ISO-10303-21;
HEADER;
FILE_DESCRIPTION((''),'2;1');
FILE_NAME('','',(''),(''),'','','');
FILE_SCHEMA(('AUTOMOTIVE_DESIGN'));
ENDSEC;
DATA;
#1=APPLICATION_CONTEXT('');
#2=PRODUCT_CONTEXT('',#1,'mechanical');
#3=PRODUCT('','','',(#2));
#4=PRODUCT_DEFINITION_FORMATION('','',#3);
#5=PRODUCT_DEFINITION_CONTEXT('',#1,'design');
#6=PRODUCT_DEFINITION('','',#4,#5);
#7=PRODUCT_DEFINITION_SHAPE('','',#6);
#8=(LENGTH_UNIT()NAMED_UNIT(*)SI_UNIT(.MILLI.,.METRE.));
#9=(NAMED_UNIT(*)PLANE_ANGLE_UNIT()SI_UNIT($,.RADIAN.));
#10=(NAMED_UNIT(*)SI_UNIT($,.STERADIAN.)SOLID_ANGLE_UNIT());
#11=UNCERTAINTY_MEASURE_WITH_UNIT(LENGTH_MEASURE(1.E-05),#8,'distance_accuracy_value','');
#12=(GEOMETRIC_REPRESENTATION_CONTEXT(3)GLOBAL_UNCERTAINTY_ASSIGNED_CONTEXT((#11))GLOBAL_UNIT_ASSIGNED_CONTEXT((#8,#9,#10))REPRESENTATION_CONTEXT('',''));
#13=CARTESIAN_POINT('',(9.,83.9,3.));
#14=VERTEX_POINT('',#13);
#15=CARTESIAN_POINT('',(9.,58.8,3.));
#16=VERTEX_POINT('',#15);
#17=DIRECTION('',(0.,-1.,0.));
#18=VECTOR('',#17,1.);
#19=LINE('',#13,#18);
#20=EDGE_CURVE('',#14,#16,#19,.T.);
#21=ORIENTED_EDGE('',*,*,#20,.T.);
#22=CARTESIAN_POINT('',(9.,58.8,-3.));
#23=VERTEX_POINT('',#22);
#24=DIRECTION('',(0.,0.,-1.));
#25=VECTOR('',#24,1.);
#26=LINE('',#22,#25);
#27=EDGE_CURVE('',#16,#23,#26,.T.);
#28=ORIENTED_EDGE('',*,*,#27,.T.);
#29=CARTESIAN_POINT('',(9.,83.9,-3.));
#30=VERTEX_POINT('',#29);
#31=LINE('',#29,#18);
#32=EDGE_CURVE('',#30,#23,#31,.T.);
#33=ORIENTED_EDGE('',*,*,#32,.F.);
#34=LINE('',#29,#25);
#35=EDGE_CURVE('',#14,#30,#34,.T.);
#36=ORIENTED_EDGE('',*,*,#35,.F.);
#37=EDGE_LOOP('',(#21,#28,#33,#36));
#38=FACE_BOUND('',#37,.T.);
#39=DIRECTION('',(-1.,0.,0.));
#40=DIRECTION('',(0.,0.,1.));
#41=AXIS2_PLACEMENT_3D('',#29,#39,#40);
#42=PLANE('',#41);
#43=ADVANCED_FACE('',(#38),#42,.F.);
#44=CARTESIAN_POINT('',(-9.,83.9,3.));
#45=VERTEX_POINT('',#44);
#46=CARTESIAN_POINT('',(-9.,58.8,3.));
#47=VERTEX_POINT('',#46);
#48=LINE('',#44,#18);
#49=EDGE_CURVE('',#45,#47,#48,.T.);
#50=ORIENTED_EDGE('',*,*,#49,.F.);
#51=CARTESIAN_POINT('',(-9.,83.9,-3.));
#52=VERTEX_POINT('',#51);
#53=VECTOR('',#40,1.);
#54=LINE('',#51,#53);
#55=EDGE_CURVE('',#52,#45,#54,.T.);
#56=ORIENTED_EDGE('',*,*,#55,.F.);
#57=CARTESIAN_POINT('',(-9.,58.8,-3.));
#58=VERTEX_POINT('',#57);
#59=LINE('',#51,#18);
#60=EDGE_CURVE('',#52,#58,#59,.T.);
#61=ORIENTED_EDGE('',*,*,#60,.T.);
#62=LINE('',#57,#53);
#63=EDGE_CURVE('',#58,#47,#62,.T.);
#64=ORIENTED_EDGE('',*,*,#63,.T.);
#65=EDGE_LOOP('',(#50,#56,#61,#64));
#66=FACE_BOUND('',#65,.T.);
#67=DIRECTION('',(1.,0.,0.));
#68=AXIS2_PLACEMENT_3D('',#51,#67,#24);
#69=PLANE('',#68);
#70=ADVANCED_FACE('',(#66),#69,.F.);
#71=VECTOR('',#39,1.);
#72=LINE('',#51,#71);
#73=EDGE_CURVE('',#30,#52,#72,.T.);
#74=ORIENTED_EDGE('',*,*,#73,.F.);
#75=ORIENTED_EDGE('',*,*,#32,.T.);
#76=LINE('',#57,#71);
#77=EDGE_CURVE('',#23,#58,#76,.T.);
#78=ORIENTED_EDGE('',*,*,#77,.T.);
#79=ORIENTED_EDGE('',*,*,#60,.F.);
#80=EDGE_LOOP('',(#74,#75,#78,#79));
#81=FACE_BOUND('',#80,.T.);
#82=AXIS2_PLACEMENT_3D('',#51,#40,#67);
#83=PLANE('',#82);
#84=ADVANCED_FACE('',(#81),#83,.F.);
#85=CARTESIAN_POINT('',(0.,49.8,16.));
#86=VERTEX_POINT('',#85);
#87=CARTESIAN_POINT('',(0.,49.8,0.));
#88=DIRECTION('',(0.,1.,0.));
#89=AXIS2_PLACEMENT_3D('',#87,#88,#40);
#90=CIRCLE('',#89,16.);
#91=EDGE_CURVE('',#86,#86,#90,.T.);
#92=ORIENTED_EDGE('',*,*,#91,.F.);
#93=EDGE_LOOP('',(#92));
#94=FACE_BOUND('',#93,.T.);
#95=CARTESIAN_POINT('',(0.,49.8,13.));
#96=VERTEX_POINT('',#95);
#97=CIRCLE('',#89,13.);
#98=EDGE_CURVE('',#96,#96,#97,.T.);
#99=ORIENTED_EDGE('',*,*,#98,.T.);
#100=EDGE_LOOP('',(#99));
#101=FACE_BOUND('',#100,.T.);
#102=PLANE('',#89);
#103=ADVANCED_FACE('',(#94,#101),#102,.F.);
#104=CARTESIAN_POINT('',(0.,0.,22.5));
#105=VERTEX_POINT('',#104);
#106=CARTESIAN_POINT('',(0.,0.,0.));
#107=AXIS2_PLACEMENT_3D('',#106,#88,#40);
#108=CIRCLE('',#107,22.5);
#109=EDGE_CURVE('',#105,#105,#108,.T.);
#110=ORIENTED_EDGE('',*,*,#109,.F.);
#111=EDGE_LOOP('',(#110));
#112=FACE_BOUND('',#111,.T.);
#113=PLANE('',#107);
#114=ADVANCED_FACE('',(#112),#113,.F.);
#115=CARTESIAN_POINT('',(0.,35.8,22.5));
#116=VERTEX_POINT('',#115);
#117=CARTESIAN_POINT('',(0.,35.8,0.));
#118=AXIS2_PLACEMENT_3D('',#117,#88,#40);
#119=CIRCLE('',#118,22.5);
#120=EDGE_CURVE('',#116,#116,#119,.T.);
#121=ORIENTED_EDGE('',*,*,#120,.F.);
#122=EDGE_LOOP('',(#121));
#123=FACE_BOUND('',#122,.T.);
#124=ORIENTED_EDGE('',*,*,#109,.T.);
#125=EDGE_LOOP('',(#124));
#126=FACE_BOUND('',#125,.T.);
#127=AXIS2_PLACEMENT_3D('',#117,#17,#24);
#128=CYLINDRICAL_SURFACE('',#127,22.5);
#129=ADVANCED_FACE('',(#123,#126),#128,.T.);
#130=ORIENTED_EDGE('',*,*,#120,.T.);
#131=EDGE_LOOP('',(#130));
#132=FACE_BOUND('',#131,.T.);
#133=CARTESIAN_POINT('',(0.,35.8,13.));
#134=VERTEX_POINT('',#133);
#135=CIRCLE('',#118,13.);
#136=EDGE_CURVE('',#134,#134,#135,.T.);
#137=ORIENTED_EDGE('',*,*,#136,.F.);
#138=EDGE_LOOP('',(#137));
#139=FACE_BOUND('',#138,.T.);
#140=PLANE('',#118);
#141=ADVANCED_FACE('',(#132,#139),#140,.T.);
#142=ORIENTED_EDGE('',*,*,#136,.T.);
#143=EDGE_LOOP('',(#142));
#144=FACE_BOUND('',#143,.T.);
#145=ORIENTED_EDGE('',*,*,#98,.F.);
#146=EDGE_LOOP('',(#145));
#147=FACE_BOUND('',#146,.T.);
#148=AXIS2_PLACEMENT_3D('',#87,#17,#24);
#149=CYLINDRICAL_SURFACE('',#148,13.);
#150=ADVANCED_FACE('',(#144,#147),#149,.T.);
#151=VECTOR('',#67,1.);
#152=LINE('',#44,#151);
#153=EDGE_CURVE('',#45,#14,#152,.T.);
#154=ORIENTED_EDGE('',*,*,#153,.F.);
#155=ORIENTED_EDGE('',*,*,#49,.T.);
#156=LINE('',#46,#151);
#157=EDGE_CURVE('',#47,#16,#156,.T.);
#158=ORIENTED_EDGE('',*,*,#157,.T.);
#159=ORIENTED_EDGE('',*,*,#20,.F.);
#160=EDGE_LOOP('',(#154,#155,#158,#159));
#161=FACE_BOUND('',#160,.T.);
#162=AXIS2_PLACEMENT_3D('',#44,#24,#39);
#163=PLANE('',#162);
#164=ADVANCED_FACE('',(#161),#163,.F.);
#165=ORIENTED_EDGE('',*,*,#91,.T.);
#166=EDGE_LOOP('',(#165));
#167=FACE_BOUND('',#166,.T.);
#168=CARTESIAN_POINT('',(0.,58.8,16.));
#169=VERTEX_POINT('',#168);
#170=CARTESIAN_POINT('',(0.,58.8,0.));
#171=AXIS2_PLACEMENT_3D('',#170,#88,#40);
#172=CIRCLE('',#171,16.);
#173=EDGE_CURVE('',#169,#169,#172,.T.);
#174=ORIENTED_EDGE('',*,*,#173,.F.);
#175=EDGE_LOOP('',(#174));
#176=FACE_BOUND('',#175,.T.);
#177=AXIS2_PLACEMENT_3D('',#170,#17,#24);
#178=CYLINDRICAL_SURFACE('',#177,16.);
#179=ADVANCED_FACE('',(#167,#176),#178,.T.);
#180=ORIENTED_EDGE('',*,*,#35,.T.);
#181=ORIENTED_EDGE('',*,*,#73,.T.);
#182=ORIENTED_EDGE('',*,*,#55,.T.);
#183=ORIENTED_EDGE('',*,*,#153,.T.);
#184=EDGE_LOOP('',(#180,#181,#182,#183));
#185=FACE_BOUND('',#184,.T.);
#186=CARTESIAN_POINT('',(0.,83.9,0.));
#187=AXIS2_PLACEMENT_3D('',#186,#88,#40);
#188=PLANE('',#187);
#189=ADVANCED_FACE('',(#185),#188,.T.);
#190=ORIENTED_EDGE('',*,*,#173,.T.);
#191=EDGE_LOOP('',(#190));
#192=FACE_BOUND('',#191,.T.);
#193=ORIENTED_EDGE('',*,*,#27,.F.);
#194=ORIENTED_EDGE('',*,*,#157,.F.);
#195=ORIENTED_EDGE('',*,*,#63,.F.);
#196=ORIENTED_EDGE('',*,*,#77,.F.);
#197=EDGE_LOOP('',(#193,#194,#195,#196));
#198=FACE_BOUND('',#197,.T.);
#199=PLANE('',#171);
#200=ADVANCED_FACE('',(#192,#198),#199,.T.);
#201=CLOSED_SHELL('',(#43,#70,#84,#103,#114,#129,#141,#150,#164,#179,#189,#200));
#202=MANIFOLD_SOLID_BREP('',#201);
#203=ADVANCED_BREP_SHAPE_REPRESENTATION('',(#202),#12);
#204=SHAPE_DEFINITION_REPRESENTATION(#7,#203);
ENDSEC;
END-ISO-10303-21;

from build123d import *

# Parameters (mm, degrees)
SCHIZZO1_R                   = 22.5
ESTRUSIONE_ESTRUSIONE1_DEPTH = 35.8
SCHIZZO2_R                   = 13
ESTRUSIONE_ESTRUSIONE3_DEPTH = 14
SCHIZZO3_R                   = 16
ESTRUSIONE_ESTRUSIONE4_DEPTH = 9
SCHIZZO4_W                   = 18
SCHIZZO4_H                   = 6
ESTRUSIONE_ESTRUSIONE5_DEPTH = 25.1


with BuildPart() as part:
    # Schizzo1 → Estrusione-Estrusione1 (new body)
    with BuildSketch(Plane(origin=(0, 0, 0), x_dir=(1, 0, 0), z_dir=(0, 1, 0))):
        Circle(SCHIZZO1_R)
    extrude(amount=ESTRUSIONE_ESTRUSIONE1_DEPTH)

    # Schizzo2 → Estrusione-Estrusione3 (add)
    with BuildSketch(Plane(origin=(0, 35.8, 0), x_dir=(1, 0, 0), z_dir=(0, 1, 0))):
        Circle(SCHIZZO2_R)
    extrude(amount=ESTRUSIONE_ESTRUSIONE3_DEPTH)

    # Schizzo3 → Estrusione-Estrusione4 (add)
    with BuildSketch(Plane(origin=(0, 49.8, 0), x_dir=(1, 0, 0), z_dir=(0, 1, 0))):
        Circle(SCHIZZO3_R)
    extrude(amount=ESTRUSIONE_ESTRUSIONE4_DEPTH)

    # Schizzo4 → Estrusione-Estrusione5 (add)
    with BuildSketch(Plane(origin=(0, 58.8, 0), x_dir=(1, 0, 0), z_dir=(0, 1, 0))):
        Rectangle(SCHIZZO4_W, SCHIZZO4_H)
    extrude(amount=ESTRUSIONE_ESTRUSIONE5_DEPTH)


solid = part.part
